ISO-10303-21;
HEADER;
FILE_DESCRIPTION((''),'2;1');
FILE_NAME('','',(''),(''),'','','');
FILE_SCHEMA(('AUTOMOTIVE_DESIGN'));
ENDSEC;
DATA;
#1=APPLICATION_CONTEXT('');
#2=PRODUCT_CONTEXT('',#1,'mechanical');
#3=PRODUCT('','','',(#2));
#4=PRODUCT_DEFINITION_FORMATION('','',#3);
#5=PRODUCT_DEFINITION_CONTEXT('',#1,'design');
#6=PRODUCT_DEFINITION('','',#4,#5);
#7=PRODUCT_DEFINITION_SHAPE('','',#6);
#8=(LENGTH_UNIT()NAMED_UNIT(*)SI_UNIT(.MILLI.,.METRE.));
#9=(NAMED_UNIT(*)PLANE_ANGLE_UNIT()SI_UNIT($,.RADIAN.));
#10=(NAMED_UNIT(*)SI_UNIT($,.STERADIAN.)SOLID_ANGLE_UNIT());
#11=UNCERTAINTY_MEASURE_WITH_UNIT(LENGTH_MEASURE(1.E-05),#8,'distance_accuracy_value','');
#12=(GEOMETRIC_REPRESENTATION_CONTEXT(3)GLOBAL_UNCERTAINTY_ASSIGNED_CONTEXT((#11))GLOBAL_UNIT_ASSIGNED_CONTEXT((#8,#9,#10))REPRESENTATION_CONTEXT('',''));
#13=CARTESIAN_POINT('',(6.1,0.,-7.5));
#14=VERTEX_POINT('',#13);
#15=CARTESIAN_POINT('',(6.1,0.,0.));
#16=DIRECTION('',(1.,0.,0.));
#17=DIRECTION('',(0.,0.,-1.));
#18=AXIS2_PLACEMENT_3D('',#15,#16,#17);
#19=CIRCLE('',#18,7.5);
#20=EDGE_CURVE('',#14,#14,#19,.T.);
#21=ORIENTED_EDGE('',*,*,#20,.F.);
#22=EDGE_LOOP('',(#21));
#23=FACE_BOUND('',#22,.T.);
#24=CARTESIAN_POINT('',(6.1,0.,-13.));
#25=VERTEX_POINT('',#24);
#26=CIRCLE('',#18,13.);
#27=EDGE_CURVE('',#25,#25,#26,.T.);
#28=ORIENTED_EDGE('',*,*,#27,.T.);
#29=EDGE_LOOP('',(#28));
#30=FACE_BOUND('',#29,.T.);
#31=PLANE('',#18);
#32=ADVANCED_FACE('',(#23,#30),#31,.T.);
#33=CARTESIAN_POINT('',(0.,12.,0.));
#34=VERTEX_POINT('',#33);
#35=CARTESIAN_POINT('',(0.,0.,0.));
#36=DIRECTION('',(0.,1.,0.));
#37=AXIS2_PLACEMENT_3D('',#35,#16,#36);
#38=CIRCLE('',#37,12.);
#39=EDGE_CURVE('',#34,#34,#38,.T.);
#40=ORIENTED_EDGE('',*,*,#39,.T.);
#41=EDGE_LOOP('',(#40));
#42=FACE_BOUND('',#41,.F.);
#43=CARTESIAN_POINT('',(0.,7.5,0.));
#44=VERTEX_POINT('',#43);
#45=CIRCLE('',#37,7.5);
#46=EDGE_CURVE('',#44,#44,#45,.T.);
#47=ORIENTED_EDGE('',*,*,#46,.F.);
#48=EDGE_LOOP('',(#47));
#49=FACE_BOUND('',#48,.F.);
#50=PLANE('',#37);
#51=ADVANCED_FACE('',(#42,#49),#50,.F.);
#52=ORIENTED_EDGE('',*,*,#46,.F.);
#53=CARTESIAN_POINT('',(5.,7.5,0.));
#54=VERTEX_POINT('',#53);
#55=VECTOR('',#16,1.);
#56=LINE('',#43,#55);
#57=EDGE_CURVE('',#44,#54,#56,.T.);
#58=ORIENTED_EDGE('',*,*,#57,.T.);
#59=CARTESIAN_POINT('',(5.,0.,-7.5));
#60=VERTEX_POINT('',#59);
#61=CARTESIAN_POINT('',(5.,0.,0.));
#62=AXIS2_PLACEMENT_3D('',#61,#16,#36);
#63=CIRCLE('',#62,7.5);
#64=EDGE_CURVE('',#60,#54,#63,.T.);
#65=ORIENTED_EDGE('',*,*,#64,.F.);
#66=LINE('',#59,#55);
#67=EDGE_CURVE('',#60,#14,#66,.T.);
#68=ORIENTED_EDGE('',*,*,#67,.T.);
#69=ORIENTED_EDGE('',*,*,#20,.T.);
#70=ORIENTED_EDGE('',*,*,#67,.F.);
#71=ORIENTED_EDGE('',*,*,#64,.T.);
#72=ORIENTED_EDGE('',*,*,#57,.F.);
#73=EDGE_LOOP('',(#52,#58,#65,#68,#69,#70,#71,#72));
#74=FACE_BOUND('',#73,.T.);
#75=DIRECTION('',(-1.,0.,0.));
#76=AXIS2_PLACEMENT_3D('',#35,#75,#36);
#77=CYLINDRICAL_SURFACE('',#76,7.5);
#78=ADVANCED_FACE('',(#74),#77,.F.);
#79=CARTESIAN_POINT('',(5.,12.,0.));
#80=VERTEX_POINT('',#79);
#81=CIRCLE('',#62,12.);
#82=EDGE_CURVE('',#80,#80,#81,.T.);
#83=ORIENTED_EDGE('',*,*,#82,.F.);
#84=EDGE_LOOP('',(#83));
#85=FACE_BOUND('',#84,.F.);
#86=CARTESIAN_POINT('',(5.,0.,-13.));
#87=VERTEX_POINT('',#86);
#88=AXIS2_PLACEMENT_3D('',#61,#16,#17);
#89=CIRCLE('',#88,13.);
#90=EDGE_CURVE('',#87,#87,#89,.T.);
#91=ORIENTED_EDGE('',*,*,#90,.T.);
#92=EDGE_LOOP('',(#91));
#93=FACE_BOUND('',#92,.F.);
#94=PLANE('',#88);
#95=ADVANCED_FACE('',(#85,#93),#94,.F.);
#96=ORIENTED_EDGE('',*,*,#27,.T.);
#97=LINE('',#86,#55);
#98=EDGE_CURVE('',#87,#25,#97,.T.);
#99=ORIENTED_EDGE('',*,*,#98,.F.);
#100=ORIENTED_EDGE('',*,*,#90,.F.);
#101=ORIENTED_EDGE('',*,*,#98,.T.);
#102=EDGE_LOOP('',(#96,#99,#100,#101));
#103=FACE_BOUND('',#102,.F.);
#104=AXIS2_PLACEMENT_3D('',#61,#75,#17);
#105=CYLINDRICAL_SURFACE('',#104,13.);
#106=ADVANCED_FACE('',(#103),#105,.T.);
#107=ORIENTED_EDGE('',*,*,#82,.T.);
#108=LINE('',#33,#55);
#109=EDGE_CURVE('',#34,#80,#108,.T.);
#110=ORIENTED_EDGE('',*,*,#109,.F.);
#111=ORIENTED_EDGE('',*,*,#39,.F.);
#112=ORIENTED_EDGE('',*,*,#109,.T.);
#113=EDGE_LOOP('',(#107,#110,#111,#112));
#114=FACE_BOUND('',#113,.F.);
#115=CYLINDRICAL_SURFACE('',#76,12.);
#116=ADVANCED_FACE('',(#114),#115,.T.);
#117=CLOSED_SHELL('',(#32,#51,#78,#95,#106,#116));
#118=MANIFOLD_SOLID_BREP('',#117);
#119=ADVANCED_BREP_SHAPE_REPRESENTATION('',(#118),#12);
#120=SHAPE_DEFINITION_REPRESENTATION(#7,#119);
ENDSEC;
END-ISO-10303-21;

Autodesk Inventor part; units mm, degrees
ref_plane "YZ Plane" through (0, 0, 0) normal (1, 0, 0) x (0, 1, 0)
ref_plane "XZ Plane" through (0, 0, 0) normal (0, 1, 0) x (-1, 0, 0)
ref_plane "XY Plane" through (0, 0, 0) normal (0, 0, 1) x (1, 0, 0)
sketch "Sketch1" plane through (0, 0, 0) normal (1, 0, 0) x (0, 1, 0)
  circle A0 centre (0, 0) radius 12
  circle A1 centre (0, 0) radius 7.5
  dimension "d0" = 24
  dimension "d1" = 15
extrude "Extrusion1" add sketch "Sketch1" along normal blind 5
sketch "Sketch2" plane through (5, 0, 0) normal (1, 0, 0) x (0, 0, -1)
  circle A0 centre (0, 0) radius 7.5
  circle A1 centre (0, 0) radius 13
  dimension "d4" = 15
  dimension "d5" = 26
extrude "Extrusion2" add sketch "Sketch2" along normal blind 1.1
properties part number "F6802"
